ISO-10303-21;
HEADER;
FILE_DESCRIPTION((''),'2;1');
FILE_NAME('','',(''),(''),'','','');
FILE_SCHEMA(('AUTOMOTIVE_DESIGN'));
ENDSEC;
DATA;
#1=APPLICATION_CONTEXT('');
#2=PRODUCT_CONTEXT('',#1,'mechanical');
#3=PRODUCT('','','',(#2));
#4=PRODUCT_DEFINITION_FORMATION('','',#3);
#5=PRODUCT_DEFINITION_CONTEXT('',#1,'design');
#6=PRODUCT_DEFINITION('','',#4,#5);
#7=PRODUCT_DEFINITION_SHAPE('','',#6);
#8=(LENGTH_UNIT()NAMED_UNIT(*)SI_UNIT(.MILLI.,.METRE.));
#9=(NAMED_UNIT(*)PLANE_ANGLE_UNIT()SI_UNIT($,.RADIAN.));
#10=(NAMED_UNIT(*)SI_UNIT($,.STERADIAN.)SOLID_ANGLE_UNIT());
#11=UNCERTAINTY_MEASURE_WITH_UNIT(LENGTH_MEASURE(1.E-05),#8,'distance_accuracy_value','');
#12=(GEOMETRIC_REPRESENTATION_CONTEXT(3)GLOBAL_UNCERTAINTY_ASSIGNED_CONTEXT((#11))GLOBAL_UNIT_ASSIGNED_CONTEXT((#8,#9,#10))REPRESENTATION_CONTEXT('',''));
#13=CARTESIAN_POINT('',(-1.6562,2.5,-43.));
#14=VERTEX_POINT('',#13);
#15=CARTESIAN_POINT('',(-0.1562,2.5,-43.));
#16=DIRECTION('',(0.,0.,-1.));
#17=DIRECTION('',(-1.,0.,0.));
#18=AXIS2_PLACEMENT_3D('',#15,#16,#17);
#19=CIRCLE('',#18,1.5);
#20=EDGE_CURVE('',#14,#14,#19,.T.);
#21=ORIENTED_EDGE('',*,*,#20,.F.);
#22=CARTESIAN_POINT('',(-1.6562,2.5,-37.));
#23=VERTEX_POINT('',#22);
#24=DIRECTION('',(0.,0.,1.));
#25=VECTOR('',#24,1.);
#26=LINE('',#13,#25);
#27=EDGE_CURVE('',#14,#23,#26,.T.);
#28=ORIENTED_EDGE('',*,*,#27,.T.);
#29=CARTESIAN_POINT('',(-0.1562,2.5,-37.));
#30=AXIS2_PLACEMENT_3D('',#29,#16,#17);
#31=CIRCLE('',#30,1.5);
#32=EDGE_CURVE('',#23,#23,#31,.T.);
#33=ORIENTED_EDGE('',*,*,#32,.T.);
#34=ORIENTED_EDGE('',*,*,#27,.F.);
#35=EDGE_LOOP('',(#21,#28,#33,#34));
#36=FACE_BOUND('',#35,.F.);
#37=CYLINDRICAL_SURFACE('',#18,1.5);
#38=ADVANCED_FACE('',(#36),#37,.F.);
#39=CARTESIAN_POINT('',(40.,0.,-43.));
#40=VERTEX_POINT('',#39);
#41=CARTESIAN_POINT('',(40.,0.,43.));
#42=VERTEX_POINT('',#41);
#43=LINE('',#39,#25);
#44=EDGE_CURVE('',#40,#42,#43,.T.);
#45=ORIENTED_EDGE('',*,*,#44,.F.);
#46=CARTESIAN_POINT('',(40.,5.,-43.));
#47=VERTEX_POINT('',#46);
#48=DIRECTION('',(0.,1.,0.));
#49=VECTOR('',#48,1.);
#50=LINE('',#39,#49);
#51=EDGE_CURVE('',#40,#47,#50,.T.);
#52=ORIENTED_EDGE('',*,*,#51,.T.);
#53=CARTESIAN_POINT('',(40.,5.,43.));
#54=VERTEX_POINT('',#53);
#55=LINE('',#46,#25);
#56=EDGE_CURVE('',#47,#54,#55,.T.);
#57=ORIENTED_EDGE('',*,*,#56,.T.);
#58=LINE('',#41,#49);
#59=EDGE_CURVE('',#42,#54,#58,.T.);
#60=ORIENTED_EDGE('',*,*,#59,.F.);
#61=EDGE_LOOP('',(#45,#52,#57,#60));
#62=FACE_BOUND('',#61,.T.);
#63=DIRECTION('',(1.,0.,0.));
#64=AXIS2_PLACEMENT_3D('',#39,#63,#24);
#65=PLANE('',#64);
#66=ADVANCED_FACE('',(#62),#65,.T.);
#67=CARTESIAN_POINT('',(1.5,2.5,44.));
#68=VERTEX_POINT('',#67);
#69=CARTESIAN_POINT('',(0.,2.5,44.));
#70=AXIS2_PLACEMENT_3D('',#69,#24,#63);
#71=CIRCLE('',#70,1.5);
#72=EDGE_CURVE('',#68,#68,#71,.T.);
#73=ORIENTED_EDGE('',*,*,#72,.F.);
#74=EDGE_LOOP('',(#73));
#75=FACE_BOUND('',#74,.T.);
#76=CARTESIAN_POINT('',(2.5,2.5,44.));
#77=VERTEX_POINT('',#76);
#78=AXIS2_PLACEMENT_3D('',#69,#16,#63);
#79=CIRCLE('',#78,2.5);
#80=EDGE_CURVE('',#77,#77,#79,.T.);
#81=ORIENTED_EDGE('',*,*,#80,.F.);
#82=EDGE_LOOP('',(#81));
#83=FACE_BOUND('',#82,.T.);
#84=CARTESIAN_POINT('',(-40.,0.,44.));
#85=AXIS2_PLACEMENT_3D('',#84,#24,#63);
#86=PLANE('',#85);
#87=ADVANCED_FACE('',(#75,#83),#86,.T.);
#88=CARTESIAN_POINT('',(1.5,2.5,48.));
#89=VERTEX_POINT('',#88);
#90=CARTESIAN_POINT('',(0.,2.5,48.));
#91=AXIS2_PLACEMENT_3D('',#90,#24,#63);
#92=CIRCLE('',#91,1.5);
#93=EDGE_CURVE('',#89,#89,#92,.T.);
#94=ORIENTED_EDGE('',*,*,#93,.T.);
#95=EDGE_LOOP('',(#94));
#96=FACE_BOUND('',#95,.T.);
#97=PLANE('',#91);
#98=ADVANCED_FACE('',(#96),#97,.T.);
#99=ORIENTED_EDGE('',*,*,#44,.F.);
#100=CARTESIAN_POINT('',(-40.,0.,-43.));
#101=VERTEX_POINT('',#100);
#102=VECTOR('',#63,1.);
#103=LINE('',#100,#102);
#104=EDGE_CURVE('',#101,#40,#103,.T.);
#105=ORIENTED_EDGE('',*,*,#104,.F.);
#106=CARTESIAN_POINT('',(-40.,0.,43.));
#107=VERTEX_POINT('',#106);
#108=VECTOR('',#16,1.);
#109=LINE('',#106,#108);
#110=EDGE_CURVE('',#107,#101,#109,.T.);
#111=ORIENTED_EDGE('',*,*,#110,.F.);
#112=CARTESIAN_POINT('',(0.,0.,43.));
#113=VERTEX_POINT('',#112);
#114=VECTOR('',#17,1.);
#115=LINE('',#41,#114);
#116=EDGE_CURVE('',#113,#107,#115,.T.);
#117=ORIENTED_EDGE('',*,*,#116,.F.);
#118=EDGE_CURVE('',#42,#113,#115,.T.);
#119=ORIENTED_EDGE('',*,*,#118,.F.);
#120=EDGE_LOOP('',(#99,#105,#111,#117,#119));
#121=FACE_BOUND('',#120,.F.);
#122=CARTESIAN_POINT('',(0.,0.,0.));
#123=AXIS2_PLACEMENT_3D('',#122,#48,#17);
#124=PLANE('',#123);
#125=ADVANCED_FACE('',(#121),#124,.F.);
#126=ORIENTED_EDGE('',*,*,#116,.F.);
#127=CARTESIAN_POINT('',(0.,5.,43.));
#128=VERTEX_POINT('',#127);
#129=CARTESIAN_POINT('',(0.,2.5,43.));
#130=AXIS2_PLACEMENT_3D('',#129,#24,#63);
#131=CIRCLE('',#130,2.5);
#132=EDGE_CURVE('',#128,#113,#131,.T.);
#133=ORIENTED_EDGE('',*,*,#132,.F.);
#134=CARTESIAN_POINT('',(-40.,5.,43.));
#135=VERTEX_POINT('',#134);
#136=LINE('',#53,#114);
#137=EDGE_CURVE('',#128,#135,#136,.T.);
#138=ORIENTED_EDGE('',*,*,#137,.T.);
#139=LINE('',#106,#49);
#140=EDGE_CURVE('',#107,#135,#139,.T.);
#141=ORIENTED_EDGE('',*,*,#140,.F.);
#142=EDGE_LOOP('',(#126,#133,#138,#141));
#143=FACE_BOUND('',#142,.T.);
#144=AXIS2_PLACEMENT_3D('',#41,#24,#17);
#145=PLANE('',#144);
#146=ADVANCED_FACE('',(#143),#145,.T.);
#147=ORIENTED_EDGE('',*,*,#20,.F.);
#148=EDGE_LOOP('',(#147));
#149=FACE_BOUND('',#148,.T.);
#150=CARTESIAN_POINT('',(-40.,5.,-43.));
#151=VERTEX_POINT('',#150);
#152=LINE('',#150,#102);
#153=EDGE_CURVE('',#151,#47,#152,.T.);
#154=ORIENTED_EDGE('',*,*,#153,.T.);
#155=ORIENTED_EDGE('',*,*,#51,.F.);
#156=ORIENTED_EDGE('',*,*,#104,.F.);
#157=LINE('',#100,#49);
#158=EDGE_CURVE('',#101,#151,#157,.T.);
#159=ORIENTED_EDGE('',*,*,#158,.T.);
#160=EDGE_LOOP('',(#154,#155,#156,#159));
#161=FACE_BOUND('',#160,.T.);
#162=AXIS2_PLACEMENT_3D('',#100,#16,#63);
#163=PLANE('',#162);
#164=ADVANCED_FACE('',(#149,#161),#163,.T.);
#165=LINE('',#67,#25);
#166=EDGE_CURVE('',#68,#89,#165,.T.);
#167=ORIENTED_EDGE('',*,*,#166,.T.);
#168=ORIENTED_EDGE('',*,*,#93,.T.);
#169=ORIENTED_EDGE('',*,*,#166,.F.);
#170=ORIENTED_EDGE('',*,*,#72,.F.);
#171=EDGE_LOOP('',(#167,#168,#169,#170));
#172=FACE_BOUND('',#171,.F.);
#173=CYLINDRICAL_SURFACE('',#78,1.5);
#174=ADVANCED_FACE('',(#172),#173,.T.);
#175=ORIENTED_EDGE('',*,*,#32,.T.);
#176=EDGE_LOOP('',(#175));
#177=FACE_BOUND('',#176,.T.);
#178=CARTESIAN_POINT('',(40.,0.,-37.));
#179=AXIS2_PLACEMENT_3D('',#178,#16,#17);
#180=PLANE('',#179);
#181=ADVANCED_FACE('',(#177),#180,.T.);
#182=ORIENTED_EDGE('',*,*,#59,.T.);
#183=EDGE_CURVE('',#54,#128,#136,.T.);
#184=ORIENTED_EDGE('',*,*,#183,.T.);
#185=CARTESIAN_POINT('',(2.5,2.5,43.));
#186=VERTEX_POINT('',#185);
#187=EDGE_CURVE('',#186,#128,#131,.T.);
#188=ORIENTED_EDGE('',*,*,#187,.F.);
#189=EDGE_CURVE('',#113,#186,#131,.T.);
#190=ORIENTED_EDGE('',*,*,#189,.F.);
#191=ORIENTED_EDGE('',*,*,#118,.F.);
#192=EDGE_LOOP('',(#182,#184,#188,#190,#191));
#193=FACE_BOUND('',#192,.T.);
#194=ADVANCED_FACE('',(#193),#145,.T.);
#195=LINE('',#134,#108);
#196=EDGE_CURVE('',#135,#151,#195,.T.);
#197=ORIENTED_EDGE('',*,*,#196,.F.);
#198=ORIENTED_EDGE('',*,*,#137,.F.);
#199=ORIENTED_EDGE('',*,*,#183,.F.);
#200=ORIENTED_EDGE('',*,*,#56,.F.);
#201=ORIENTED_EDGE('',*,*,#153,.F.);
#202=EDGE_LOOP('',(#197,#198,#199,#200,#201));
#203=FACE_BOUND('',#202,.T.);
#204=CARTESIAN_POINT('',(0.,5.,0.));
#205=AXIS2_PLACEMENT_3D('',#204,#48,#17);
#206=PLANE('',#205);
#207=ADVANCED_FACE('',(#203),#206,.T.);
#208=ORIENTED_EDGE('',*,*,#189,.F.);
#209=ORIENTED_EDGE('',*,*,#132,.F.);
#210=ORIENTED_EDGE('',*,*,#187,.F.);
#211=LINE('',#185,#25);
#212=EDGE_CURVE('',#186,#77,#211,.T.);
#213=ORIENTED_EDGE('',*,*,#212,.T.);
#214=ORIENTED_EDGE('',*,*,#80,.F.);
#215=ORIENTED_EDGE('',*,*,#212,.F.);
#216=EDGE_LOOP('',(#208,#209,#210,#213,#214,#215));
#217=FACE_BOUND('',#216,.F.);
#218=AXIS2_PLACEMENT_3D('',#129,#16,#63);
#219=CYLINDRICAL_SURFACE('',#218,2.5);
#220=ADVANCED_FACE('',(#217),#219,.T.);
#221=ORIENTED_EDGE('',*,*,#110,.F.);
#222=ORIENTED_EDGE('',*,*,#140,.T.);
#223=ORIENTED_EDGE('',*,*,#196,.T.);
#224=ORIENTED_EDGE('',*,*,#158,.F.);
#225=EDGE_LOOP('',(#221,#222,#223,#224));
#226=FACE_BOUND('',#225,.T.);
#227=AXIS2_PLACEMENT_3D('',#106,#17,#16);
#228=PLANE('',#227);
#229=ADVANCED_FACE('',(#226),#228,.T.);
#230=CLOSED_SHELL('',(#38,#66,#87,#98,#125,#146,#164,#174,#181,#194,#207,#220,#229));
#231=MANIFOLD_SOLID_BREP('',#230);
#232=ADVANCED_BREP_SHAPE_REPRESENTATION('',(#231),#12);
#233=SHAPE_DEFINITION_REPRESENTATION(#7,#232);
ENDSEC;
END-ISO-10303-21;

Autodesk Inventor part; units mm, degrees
ref_plane "YZ Plane" through (0, 0, 0) normal (1, 0, 0) x (0, 1, 0)
ref_plane "XZ Plane" through (0, 0, 0) normal (0, 1, 0) x (-1, 0, 0)
ref_plane "XY Plane" through (0, 0, 0) normal (0, 0, 1) x (1, 0, 0)
sketch "Sketch1" plane through (0, 0, 0) normal (0, 1, 0) x (-1, 0, 0)
  line L0 (40, 43) -> (40, -43)
  line L1 (40, -43) -> (-40, -43)
  line L2 (-40, -43) -> (-40, 43)
  line L3 (-40, 43) -> (40, 43)
  line L4 (40, 43) -> (-40, -43) construction
  line L5 (40, -43) -> (-40, 43) construction
  point P0 (0, 0)
  dimension "d0" = 86
  dimension "d1" = 80
extrude "Extrusion1" add sketch "Sketch1" along normal blind 5
sketch "Sketch2" plane through (40, 0, -43) normal (0, 0, -1) x (-1, 0, 0)
  line L0 (0, 0) -> (80, 0) projected
  line L1 (80, 0) -> (80, 5) projected
  line L2 (0, 5) -> (80, 5) projected
  line L3 (0, 0) -> (0, 5) projected
  circle A0 centre (40.1562, 2.5) radius 1.5
  dimension "d4" = 3
extrude "Extrusion2" cut sketch "Sketch2" against normal blind 6 contours A0
sketch "Sketch3" plane through (-40, 0, 43) normal (0, 0, 1) x (1, 0, 0)
  line L0 (0, 0) -> (80, 0) projected
  line L1 (80, 0) -> (80, 5) projected
  line L2 (0, 5) -> (80, 5) projected
  line L3 (0, 0) -> (0, 5) projected
  circle A0 centre (40, 2.5) radius 2.5
  dimension "d7" = 5
extrude "Extrusion3" add sketch "Sketch3" along normal blind 1 contours A0
sketch "Sketch4" plane through (0, 2.5, 44) normal (0, 0, 1) x (1, 0, 0)
  circle A0 centre (0, 0) radius 1.5
  dimension "d10" = 3
extrude "Extrusion4" add sketch "Sketch4" along normal blind 4
properties part number "brush"
